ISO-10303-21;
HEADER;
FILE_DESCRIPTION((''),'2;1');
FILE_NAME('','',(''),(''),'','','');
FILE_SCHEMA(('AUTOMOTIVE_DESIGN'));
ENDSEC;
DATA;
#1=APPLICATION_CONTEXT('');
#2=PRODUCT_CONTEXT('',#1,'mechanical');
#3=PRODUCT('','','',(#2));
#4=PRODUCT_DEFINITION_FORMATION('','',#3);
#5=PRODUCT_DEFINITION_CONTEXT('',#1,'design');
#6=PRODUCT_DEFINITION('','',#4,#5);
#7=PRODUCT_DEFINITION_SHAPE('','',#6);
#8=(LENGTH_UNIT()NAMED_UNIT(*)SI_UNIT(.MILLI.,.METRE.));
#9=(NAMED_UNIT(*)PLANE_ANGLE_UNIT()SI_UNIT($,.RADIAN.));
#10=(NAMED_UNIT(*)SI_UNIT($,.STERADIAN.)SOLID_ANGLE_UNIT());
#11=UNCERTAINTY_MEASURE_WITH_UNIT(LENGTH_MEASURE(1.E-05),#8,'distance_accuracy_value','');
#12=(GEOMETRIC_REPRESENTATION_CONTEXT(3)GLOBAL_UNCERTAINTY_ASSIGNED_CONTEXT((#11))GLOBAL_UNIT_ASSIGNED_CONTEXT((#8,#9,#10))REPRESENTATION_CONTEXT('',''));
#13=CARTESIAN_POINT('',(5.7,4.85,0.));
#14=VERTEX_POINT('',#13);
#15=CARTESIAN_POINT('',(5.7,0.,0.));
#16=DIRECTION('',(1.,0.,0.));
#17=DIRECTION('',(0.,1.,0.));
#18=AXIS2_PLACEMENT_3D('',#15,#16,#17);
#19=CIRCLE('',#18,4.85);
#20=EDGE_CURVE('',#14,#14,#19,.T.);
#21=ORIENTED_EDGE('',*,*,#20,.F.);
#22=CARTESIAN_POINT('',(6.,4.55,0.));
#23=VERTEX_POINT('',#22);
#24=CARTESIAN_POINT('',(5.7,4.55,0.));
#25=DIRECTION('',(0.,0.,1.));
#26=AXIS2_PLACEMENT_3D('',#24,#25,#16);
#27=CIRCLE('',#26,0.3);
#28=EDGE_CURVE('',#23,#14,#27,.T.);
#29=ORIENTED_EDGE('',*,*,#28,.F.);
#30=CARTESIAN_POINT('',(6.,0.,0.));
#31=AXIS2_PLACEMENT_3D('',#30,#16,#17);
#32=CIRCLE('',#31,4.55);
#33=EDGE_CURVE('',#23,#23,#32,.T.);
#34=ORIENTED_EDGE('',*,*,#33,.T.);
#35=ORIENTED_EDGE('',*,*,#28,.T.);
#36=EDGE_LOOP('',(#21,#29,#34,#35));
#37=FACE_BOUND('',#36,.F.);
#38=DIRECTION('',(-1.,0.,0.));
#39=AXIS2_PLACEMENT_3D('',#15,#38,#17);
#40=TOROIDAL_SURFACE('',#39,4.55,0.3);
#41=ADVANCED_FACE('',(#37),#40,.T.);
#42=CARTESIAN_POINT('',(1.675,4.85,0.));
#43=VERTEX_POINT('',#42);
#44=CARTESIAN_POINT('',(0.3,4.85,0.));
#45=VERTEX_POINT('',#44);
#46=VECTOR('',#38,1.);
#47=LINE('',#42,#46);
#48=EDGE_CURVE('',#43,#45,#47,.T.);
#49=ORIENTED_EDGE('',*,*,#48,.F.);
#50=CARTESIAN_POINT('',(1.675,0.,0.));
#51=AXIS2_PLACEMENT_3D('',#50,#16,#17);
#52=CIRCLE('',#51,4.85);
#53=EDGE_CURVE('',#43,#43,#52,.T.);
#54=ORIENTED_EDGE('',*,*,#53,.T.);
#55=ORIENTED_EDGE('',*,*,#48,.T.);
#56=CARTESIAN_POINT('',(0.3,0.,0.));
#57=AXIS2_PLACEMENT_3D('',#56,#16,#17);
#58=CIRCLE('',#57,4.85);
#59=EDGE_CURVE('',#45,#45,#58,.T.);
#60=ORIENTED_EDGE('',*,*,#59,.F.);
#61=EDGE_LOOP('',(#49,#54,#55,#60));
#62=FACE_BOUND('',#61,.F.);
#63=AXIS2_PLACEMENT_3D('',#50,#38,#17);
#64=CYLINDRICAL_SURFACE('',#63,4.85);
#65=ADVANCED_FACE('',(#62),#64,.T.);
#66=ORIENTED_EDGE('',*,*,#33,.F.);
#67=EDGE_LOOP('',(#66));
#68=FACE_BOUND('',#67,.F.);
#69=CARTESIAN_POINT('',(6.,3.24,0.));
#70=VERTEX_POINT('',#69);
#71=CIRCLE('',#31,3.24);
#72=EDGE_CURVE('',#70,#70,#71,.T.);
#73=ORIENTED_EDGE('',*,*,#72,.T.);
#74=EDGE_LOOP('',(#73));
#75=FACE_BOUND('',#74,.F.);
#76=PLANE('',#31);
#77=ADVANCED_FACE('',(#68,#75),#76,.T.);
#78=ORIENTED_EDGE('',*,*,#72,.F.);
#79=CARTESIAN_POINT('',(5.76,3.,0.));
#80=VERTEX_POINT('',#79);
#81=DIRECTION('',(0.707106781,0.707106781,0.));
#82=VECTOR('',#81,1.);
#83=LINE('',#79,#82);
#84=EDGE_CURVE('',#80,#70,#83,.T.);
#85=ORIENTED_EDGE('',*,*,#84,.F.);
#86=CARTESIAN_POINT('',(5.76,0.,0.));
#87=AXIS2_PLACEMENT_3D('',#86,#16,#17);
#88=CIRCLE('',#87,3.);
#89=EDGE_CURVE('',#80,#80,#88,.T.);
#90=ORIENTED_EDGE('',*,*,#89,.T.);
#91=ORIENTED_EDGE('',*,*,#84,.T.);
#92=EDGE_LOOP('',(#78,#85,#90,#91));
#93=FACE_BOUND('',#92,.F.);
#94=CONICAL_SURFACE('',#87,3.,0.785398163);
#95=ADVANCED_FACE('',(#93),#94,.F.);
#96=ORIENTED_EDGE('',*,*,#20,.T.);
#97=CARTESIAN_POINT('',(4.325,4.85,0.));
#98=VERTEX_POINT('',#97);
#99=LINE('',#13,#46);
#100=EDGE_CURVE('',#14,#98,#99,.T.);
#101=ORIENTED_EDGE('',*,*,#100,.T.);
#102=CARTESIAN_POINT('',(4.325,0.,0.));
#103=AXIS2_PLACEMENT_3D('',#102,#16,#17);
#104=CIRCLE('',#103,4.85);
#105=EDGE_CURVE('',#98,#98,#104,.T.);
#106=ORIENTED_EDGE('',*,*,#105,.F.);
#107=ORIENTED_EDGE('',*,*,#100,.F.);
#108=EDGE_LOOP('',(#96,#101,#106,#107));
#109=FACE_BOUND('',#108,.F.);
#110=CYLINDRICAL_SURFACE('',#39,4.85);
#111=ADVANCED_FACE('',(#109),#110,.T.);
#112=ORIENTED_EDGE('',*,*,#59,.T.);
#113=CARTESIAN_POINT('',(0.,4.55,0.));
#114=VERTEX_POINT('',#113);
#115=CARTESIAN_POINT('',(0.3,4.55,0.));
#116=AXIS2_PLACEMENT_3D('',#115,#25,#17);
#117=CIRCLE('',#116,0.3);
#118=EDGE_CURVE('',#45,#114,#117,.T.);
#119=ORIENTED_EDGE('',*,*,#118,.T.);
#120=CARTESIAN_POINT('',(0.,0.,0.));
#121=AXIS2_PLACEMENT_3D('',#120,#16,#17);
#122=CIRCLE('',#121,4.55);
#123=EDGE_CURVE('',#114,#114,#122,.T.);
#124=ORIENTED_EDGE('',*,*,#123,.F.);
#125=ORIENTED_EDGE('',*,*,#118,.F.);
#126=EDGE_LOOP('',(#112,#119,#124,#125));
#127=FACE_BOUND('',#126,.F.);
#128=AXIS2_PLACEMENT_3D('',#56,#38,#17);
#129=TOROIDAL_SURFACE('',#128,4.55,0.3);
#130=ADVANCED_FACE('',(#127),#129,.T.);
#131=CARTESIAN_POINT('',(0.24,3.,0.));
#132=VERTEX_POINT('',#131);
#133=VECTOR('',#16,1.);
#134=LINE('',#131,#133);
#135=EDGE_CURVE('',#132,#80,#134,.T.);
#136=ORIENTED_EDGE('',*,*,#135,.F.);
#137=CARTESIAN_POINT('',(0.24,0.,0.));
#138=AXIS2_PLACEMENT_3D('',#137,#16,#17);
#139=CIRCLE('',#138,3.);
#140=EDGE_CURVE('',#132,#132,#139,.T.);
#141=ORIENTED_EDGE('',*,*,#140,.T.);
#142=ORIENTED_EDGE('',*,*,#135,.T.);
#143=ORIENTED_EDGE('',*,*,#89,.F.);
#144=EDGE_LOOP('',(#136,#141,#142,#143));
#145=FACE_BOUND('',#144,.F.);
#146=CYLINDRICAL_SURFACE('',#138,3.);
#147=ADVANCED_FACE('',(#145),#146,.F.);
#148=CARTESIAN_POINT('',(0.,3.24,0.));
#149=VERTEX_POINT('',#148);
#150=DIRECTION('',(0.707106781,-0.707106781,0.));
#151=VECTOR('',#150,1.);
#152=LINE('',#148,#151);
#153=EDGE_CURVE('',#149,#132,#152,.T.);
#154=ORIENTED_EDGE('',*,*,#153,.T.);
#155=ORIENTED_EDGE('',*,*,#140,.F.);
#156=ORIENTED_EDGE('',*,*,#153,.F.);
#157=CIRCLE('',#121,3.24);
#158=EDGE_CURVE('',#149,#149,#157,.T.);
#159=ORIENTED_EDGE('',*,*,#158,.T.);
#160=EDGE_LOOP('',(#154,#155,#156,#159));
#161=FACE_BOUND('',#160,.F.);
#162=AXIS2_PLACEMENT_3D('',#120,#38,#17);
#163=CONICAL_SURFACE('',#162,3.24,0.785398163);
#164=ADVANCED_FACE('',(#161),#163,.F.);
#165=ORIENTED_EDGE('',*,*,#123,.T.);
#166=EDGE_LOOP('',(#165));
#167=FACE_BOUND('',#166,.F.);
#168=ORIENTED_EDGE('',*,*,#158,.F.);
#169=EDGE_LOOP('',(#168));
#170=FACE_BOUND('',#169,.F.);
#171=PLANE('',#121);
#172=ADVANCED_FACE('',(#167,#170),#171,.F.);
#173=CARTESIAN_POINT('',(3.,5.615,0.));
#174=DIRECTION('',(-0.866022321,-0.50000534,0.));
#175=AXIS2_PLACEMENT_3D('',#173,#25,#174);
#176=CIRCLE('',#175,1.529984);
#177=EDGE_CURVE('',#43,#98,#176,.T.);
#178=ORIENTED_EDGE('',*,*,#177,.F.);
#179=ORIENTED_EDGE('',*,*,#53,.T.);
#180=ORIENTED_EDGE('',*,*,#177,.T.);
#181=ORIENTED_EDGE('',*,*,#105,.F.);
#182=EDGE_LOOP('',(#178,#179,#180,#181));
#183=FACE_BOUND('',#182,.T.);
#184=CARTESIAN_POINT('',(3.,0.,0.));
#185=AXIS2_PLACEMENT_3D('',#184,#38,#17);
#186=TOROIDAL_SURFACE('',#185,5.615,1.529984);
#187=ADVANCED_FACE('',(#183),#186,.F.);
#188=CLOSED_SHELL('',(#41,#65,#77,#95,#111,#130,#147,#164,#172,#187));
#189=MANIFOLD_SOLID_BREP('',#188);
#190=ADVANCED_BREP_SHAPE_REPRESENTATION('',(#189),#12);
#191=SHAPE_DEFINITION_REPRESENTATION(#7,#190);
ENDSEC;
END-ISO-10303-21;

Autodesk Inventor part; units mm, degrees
sketch "Sketch_2" plane through (0, 0, 0) normal (0, 0, 1) x (1, 0, 0)
  line L0 (6, 0) -> (0, 0)
  line L1 (0, 3.24) -> (0.24, 3)
  line L2 (0.24, 3) -> (5.76, 3)
  line L3 (5.76, 3) -> (6, 3.24)
  line L4 (6, 3.24) -> (6, 4.55)
  arc A0 (6, 4.55) -> (5.7, 4.85) centre (5.7, 4.55) ccw
  line L5 (5.7, 4.85) -> (4.325, 4.85)
  arc A1 (1.675, 4.85) -> (4.325, 4.85) centre (3, 5.615) ccw
  line L6 (1.675, 4.85) -> (0.3, 4.85)
  arc A2 (0.3, 4.85) -> (0, 4.55) centre (0.3, 4.55) ccw
  line L7 (0, 4.55) -> (0, 3.24)
revolve "Revolution1" add sketch "Sketch_2" angle 360 about axis through (6, 0, 0) along (1, 0, 0)
ref_plane "Dummy_IR_XY" through (0, 0, 0) normal (1, 0, 0) x (0, 0, -1)
ref_plane "Dummy_IR_YZ" through (0, 0, 0) normal (0, 0, -1) x (0, 1, 0)
ref_plane "Dummy_IR_ZX" through (0, 0, 0) normal (0, 1, 0) x (1, 0, 0)
ref_plane "IR_OR_XY" through (0, 0, 0) normal (1, 0, 0) x (0, 0, -1)
ref_plane "IR_OR_YZ" through (0, 0, 0) normal (0, 0, -1) x (0, 1, 0)
ref_plane "IR_OR_ZX" through (0, 0, 0) normal (0, 1, 0) x (1, 0, 0)
properties part number "040205DR-19-H6_ir" material "鉄、鋳鉄"
